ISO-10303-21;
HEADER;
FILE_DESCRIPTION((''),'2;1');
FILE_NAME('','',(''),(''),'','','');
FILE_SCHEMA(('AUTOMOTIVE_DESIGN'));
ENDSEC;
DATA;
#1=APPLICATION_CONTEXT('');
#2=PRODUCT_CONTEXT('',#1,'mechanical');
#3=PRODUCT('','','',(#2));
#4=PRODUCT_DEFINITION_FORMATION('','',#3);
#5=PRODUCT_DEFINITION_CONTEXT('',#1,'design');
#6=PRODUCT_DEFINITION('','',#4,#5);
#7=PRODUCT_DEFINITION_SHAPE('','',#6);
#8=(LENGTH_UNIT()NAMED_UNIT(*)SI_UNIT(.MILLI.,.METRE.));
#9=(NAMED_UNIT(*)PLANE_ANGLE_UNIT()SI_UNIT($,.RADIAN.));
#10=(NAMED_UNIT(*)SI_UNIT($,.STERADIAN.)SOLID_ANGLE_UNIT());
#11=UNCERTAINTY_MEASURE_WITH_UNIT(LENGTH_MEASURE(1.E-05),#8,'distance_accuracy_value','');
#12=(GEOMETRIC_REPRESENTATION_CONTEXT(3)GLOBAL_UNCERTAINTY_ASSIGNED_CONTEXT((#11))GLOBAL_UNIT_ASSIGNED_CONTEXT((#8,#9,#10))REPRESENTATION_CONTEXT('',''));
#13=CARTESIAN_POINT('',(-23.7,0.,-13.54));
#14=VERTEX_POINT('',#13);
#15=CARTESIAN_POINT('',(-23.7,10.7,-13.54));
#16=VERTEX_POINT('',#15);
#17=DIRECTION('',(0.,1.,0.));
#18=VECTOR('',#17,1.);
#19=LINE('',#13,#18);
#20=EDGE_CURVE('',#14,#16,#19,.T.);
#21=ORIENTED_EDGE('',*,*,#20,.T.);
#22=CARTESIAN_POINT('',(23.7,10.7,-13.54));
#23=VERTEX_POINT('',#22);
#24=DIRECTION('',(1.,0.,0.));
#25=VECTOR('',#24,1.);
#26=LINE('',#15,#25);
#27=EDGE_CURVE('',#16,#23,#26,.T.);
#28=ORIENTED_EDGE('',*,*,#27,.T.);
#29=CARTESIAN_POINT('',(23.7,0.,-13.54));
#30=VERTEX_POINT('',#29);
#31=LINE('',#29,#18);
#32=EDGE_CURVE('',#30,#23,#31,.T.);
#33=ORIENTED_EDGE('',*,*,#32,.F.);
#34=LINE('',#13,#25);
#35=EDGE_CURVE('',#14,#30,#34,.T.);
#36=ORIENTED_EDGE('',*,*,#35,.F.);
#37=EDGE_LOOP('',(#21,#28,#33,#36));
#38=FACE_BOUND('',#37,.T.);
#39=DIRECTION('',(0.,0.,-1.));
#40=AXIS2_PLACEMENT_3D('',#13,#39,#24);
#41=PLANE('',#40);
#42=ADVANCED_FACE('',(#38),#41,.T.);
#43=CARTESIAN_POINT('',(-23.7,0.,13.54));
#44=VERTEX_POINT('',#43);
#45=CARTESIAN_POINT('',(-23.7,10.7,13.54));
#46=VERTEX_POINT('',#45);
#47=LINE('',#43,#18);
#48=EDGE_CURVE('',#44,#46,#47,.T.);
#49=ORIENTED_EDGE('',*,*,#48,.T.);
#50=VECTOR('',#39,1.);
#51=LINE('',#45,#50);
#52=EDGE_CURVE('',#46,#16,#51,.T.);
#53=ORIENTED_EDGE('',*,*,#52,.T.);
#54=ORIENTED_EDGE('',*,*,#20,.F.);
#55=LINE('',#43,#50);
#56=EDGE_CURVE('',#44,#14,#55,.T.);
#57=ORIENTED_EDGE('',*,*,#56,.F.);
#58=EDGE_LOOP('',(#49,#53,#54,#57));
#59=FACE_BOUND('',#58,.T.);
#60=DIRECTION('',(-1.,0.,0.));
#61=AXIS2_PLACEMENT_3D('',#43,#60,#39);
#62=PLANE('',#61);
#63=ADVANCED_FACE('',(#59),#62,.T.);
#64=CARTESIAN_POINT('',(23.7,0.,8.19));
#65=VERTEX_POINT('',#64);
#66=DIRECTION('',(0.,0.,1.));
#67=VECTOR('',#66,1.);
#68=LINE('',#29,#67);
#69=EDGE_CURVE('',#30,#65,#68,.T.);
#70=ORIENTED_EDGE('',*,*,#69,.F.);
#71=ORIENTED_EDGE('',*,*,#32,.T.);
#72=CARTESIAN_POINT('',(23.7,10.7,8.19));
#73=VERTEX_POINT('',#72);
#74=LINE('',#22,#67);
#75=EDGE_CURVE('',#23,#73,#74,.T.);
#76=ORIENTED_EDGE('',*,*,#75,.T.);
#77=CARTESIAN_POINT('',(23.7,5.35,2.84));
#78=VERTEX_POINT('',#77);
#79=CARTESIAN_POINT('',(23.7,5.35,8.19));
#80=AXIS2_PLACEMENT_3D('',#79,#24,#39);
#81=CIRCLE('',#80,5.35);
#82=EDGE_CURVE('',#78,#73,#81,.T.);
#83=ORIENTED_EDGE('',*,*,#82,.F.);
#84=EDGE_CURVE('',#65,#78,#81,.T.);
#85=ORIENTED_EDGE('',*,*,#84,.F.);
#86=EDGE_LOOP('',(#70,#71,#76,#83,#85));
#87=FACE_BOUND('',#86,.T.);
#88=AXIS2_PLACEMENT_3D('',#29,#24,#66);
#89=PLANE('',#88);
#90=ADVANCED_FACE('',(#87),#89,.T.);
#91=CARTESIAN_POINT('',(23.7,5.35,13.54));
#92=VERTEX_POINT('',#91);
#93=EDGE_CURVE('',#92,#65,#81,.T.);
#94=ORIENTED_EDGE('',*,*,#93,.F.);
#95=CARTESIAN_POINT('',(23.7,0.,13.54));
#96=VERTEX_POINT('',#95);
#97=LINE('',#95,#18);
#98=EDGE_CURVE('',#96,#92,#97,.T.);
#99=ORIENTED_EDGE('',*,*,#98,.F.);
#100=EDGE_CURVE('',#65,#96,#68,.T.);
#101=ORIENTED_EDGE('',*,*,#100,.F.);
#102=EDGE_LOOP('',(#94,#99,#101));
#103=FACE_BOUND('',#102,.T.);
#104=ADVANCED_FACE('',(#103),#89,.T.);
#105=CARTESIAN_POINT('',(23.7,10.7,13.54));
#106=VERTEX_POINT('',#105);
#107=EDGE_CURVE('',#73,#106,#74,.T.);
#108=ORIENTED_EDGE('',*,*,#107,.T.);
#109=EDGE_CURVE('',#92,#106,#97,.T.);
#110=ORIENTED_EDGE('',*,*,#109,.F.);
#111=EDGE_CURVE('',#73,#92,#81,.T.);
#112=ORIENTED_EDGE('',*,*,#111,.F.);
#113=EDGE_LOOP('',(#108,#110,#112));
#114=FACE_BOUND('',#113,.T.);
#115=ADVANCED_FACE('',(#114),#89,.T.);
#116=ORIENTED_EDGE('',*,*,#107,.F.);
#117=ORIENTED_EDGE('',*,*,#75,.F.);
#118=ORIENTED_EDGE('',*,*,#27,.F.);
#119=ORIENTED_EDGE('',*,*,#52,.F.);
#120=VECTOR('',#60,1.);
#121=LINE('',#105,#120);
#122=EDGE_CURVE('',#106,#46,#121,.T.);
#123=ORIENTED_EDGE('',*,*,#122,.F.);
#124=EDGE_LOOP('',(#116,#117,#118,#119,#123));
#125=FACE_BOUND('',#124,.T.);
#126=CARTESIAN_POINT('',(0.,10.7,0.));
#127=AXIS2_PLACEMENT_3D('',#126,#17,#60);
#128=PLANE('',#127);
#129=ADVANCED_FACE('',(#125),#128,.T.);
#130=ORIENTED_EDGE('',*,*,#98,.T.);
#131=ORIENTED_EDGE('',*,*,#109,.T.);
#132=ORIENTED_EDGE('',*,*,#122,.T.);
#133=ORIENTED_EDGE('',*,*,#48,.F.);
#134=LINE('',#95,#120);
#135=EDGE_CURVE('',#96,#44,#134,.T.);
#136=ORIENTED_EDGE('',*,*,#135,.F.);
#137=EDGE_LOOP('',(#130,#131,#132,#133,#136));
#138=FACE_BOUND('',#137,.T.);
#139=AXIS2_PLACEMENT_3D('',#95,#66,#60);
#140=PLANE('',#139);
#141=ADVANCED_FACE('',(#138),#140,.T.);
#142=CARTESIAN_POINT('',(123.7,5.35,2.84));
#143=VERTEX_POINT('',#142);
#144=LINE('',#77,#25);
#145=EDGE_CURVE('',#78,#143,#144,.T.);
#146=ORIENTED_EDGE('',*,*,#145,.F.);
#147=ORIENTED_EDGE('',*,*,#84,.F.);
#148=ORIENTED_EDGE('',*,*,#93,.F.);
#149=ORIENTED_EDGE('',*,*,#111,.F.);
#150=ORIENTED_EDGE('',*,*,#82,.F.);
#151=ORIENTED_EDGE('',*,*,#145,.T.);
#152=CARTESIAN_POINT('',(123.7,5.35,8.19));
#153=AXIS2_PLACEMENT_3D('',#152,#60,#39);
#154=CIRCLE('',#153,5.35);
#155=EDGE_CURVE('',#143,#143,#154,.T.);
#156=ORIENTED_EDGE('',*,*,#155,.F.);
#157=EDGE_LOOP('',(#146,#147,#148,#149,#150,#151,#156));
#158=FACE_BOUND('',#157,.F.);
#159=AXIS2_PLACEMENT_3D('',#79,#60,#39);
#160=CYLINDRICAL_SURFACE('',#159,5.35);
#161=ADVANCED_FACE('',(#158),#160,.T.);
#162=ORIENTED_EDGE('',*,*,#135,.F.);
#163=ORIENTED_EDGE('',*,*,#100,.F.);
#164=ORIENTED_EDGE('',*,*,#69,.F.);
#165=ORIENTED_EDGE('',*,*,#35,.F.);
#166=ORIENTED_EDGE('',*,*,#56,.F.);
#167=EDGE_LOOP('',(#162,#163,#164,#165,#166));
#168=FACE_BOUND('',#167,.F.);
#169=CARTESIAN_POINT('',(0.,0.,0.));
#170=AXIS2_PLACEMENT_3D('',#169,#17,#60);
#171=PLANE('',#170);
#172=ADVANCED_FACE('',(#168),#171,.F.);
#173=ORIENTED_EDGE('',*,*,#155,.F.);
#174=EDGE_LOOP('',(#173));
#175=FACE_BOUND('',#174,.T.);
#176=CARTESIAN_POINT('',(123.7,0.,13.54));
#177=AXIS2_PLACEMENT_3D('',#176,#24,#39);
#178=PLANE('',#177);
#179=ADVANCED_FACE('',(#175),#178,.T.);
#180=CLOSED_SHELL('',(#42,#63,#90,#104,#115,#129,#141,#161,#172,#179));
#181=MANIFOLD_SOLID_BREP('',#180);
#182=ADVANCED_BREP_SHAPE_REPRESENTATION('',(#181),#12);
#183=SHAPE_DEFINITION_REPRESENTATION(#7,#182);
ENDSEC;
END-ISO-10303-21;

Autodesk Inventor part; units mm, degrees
ref_plane "YZ Plane" through (0, 0, 0) normal (1, 0, 0) x (0, 1, 0)
ref_plane "XZ Plane" through (0, 0, 0) normal (0, 1, 0) x (-1, 0, 0)
ref_plane "XY Plane" through (0, 0, 0) normal (0, 0, 1) x (1, 0, 0)
sketch "草圖1" plane through (0, 0, 0) normal (0, 1, 0) x (-1, 0, 0)
  line L0 (-23.7, 13.54) -> (23.7, 13.54)
  line L1 (23.7, 13.54) -> (23.7, -13.54)
  line L2 (23.7, -13.54) -> (-23.7, -13.54)
  line L3 (-23.7, -13.54) -> (-23.7, 13.54)
  line L4 (-23.7, 13.54) -> (23.7, -13.54) construction
  line L5 (23.7, 13.54) -> (-23.7, -13.54) construction
  point P0 (0, 0)
  dimension "d0" = 47.4
  dimension "d1" = 27.08
extrude "擠出1" add sketch "草圖1" along normal blind 10.7
sketch "草圖2" plane through (23.7, 0, 13.54) normal (1, 0, 0) x (0, 0, -1)
  circle A0 centre (5.35, 5.35) radius 5.35
  line L0 (27.08, 10.7) -> (0, 10.7) projected
  line L1 (0, 0) -> (0, 10.7) projected
  point P0 (13.54, 0)
extrude "擠出2" add sketch "草圖2" along normal blind 100 contours A0
properties part number "telementry"
